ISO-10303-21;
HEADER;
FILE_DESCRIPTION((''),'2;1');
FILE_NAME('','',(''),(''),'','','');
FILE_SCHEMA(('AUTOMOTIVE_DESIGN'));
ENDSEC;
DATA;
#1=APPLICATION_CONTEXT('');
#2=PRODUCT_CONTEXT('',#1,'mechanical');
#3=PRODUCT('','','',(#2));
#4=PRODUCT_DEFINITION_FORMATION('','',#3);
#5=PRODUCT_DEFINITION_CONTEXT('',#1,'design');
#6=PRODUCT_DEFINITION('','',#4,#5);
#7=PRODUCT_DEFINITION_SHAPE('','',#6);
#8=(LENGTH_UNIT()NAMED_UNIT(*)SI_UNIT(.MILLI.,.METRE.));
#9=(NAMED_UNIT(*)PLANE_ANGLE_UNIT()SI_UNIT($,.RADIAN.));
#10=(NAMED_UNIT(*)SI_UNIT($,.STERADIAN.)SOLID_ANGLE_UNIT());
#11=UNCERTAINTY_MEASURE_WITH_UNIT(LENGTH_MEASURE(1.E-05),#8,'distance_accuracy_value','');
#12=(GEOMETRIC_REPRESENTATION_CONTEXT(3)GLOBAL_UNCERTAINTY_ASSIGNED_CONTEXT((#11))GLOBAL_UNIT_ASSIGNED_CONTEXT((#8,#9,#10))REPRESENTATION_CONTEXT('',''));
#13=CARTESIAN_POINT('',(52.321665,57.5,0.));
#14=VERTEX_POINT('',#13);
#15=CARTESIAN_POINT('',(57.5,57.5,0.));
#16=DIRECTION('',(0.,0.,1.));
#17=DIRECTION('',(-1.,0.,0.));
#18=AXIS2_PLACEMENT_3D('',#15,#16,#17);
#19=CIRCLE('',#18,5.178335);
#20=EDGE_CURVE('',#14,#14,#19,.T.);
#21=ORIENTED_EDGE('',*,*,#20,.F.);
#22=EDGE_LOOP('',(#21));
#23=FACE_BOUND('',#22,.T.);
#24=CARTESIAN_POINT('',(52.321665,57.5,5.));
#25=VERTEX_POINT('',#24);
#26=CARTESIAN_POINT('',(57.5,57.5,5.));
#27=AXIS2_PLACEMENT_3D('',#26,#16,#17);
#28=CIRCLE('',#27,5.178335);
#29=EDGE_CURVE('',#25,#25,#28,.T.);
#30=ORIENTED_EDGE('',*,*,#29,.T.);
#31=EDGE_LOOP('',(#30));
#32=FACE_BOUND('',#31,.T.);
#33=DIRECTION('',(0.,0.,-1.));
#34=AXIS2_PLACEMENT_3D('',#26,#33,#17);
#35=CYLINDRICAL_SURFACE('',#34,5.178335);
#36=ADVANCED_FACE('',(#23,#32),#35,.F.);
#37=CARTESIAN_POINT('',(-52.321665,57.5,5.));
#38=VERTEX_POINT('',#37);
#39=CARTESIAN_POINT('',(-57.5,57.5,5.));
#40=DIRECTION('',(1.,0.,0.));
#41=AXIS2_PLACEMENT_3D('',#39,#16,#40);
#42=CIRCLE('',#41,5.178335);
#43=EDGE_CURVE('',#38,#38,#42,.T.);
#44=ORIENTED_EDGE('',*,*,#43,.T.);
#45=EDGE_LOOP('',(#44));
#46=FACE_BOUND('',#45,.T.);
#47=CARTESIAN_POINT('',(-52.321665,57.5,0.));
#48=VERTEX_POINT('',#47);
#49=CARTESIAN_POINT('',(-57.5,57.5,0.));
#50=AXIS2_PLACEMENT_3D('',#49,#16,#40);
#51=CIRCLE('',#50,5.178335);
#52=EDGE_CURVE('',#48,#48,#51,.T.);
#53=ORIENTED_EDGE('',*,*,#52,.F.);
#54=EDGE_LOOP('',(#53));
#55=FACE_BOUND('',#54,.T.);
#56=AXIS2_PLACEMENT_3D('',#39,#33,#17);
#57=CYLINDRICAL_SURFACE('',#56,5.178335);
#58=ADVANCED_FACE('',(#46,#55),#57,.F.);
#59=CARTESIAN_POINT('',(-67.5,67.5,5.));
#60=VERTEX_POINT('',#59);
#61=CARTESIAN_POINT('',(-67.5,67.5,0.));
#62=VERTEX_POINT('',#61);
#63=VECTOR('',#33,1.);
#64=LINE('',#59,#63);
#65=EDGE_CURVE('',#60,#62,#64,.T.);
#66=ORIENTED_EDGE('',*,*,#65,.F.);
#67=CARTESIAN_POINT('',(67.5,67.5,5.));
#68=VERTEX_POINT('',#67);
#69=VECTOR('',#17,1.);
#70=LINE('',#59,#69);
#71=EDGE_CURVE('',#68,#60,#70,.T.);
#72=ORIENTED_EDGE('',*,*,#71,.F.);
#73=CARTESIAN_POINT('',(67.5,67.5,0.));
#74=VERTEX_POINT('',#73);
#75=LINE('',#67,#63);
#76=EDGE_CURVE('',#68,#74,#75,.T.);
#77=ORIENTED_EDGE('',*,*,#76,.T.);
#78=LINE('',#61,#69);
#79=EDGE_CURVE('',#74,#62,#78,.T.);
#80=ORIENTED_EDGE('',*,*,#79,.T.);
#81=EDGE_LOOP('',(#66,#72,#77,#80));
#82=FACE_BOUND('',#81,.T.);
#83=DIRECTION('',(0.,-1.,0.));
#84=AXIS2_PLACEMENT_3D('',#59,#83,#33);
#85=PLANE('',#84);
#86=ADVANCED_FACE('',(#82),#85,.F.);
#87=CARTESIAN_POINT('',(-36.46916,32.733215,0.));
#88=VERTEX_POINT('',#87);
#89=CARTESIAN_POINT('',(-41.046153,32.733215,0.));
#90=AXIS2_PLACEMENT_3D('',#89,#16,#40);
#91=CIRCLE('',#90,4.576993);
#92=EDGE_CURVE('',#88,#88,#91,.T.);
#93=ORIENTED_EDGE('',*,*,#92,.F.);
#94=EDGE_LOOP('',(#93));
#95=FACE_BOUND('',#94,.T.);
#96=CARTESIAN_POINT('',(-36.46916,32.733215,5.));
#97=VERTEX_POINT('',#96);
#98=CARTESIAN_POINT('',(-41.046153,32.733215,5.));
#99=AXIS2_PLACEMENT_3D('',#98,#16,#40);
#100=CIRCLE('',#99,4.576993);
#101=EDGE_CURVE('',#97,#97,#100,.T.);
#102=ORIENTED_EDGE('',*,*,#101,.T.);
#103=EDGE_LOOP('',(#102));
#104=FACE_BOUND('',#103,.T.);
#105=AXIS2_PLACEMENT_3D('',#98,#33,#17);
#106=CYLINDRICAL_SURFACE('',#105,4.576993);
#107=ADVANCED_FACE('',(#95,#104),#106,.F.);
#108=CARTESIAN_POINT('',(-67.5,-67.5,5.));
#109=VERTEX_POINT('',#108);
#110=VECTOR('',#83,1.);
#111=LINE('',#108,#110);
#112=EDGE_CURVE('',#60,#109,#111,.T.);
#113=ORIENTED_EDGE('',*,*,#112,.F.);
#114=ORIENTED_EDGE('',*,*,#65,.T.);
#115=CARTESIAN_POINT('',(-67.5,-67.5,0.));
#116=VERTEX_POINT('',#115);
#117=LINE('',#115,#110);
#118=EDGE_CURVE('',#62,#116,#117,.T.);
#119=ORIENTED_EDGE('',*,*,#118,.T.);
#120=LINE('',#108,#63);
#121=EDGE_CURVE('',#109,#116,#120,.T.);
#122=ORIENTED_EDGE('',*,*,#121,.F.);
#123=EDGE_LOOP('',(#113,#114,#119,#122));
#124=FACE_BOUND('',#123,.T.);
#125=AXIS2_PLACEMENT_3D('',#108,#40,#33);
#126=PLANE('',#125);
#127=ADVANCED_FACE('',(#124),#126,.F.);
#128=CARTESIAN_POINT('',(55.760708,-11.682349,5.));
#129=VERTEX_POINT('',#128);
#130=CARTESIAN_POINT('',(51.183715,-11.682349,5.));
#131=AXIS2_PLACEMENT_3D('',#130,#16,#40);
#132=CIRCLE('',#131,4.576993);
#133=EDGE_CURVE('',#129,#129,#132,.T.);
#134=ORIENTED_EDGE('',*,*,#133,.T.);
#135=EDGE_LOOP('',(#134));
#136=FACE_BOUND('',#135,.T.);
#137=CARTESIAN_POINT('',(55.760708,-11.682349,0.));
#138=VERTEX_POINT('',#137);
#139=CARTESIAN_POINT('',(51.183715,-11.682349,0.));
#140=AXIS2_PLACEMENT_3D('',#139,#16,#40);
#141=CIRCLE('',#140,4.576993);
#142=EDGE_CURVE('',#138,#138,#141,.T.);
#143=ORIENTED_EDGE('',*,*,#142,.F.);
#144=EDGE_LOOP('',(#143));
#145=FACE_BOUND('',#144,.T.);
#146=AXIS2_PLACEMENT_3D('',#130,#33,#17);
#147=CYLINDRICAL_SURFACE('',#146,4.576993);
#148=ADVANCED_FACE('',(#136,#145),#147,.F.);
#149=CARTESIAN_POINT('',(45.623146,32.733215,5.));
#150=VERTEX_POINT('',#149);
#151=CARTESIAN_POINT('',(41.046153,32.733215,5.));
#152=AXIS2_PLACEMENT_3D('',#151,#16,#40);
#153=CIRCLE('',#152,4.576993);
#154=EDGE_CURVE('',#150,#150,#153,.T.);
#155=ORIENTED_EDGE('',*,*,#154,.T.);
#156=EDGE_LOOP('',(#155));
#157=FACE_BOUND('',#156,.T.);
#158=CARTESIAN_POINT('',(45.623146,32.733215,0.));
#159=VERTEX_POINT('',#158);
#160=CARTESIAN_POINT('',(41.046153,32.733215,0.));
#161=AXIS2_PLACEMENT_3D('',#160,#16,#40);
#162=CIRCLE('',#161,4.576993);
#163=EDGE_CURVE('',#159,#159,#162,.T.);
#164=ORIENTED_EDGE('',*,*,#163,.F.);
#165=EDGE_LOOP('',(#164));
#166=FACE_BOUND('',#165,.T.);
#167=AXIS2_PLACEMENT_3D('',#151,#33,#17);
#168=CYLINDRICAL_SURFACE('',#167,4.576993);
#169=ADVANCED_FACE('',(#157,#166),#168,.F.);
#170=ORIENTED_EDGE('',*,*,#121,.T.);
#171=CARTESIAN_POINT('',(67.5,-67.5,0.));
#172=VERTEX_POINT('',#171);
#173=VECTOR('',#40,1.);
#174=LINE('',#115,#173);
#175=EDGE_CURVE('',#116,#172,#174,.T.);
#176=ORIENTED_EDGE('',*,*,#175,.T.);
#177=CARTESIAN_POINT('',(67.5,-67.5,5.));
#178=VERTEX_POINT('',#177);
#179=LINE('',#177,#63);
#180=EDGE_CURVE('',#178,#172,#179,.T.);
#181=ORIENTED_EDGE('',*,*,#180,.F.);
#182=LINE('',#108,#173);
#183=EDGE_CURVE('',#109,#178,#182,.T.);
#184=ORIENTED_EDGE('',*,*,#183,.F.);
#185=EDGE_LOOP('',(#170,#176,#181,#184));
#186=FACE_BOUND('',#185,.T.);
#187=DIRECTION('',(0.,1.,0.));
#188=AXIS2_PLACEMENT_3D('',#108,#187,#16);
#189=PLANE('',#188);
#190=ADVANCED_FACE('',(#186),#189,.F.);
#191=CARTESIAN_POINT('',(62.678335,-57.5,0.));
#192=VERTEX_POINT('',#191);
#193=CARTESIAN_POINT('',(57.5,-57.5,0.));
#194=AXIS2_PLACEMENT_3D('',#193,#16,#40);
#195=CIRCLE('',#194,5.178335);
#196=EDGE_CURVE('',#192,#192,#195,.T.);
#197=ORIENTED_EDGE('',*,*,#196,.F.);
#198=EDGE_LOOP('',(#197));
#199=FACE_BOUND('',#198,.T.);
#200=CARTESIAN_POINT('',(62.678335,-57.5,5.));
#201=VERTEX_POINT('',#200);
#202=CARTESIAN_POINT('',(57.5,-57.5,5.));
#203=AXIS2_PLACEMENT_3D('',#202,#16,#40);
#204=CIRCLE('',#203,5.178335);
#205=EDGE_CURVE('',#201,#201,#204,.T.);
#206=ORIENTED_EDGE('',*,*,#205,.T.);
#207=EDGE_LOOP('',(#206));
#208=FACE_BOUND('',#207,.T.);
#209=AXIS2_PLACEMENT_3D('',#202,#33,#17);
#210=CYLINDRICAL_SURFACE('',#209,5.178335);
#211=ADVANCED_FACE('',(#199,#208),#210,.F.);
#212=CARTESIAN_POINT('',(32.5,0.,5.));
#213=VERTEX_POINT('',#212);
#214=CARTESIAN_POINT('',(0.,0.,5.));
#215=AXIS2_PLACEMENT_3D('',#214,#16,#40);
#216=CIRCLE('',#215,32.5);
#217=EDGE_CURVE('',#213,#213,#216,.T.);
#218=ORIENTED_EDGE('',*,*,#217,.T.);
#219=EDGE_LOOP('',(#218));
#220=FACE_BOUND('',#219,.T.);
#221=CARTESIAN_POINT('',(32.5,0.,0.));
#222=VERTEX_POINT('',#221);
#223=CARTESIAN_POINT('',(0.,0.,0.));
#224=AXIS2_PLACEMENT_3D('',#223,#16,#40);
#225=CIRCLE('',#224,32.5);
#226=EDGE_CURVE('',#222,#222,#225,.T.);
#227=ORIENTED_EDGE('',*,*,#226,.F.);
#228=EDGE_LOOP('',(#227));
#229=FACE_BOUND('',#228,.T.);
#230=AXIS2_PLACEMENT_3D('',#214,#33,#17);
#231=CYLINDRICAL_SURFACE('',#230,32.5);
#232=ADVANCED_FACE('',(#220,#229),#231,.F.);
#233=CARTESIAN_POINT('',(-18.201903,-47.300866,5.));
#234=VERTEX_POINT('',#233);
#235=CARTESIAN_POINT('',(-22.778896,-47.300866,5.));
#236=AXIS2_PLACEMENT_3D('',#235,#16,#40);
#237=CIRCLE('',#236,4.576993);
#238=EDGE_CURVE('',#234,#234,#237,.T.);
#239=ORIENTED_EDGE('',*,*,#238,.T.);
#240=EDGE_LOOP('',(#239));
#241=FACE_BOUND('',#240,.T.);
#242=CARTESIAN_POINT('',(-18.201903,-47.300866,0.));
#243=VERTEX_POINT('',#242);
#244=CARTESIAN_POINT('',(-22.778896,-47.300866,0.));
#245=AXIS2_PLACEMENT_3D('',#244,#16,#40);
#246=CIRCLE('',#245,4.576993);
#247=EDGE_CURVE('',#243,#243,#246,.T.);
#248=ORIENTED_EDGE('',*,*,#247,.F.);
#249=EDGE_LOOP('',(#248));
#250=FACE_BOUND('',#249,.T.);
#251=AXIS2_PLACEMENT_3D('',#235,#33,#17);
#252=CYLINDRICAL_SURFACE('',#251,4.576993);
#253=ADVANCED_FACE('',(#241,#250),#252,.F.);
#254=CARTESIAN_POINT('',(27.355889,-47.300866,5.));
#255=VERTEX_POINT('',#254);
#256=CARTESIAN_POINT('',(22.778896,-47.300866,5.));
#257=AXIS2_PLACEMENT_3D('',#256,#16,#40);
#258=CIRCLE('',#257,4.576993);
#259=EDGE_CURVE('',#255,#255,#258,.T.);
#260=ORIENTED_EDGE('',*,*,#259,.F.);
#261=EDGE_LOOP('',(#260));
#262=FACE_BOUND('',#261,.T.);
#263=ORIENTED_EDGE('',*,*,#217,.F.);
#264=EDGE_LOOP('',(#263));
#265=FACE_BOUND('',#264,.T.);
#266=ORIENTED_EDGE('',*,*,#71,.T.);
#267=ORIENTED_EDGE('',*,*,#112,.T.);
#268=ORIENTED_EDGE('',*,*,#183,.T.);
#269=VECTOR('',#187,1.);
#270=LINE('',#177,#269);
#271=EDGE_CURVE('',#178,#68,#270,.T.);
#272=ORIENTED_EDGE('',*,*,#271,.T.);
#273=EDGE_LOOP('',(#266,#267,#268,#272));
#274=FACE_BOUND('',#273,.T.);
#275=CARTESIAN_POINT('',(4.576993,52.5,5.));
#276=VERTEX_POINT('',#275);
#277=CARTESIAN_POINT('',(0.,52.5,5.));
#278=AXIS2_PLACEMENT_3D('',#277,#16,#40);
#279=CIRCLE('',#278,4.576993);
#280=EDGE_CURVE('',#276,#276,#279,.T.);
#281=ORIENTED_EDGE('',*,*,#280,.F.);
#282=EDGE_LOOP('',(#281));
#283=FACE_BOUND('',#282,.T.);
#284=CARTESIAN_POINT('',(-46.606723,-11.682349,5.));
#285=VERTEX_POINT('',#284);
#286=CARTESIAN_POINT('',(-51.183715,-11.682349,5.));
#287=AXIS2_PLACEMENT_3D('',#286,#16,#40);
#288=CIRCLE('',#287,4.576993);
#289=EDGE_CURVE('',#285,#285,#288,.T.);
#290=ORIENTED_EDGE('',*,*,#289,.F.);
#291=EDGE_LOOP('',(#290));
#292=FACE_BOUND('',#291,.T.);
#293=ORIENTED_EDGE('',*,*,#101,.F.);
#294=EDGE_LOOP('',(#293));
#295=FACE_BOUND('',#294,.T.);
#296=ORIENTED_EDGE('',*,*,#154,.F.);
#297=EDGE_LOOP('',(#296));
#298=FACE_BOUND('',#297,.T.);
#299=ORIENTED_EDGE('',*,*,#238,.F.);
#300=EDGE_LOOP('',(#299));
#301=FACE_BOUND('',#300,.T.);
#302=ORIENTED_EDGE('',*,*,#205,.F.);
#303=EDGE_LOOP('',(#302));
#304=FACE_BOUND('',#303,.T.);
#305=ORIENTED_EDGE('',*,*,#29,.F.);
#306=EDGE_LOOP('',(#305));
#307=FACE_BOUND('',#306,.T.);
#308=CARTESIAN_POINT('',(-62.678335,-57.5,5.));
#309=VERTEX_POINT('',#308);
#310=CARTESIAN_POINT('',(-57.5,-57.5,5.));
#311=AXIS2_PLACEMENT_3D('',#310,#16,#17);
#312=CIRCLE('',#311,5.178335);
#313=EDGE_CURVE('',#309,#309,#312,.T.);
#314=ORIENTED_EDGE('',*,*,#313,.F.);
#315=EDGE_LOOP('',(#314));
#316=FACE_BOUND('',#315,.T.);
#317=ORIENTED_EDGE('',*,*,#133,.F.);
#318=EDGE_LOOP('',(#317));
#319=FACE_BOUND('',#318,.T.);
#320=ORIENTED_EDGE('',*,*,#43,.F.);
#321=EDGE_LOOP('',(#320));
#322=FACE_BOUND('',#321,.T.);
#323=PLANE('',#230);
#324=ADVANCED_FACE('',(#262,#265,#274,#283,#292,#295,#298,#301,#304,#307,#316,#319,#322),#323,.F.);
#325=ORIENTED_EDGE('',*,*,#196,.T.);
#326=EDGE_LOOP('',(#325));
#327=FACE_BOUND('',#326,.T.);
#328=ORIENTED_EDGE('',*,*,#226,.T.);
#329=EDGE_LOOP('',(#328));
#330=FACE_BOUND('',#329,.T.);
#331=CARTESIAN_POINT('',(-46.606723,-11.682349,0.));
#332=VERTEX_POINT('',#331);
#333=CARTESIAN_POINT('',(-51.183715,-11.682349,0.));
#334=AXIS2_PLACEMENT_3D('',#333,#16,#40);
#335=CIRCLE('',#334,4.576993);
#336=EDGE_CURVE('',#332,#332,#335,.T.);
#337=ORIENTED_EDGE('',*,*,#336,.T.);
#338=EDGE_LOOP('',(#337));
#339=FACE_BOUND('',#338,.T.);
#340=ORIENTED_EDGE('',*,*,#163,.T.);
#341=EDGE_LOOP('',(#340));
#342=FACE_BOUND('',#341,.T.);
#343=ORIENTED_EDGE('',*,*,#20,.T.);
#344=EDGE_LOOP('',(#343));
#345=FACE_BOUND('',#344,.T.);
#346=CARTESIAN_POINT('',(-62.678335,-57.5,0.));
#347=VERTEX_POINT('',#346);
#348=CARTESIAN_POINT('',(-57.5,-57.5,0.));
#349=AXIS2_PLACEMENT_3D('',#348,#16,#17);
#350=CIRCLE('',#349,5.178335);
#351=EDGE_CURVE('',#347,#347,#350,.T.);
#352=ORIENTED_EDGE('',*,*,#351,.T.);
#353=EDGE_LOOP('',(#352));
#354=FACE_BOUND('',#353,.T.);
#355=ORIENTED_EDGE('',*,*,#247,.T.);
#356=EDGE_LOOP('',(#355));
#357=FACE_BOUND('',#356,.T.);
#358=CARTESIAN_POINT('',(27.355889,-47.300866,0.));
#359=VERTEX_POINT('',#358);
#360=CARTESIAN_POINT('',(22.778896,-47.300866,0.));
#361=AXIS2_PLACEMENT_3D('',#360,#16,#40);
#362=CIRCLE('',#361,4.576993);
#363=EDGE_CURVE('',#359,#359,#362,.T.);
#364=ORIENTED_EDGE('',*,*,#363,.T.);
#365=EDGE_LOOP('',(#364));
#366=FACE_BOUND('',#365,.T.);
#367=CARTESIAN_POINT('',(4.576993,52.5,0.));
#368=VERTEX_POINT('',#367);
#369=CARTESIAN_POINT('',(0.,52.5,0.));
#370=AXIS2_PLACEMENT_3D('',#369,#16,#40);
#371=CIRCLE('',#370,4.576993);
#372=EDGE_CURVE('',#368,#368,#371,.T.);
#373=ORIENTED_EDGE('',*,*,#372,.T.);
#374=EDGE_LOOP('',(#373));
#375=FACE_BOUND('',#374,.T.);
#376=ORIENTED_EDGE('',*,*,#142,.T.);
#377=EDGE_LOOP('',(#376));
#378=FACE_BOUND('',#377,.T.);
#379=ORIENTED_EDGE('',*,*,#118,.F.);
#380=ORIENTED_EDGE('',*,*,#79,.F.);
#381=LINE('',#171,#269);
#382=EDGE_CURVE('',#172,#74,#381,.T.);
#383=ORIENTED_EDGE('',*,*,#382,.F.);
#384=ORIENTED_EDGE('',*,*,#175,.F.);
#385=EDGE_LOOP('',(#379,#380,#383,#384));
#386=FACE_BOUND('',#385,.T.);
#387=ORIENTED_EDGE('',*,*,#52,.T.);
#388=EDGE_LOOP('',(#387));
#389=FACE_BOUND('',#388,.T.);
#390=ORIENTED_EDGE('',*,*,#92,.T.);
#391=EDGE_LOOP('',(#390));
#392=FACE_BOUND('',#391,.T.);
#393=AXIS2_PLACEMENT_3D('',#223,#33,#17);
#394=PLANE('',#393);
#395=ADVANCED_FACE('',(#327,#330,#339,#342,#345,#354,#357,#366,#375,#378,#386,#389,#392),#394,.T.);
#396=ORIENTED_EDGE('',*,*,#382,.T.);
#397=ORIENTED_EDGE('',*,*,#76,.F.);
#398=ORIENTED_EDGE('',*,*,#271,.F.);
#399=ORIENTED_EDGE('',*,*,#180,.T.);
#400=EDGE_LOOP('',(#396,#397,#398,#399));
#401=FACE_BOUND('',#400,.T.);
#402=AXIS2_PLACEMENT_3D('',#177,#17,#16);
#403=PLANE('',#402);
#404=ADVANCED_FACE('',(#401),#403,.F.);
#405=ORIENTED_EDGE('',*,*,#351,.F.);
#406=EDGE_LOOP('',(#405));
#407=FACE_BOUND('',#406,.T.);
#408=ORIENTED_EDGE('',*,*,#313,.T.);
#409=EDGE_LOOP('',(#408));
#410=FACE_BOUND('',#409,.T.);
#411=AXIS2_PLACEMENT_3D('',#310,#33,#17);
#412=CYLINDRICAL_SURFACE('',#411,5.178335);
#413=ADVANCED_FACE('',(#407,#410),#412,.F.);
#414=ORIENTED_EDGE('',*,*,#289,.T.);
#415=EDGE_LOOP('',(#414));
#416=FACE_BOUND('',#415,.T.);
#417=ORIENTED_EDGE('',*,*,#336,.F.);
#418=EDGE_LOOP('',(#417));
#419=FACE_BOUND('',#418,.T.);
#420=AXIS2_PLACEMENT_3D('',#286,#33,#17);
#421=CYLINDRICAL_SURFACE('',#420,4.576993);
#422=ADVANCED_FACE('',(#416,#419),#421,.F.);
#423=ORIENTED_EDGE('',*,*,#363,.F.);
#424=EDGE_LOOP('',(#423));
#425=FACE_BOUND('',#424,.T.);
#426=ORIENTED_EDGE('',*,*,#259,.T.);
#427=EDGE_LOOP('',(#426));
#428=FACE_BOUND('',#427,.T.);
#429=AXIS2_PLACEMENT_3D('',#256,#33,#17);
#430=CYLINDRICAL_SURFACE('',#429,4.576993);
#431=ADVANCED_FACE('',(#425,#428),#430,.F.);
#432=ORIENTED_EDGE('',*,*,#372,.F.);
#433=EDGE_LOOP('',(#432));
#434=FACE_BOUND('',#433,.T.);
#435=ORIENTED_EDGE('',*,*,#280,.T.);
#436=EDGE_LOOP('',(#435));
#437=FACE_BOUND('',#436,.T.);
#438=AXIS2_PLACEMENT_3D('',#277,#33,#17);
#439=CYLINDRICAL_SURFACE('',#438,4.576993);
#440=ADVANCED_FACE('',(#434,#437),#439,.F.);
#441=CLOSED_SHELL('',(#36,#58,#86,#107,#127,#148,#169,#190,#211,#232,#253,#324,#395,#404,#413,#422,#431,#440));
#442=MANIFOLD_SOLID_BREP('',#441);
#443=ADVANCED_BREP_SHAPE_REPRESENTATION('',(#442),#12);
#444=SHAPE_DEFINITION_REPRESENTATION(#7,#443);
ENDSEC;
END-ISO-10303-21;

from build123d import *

# Parameters (mm, degrees)
ESBO_O1_W                = 135
ESBO_O1_H                = 135
ESBO_O1_R                = 5.178334598
ESBO_O1_R_2              = 32.5
ESBO_O1_R_3              = 4.576992867
RESSALTO_EXTRUS_O3_DEPTH = 5


with BuildPart() as part:
    # Esboço1 → Ressalto-extrusão3 (new body)
    with BuildSketch(Plane.XY):
        Rectangle(ESBO_O1_W, ESBO_O1_H)
        with Locations((-57.5, 57.5)):
            Circle(ESBO_O1_R, mode=Mode.SUBTRACT)
        with Locations(Location((-57.5, -57.5, 0), (0, 0, 180))):
            Circle(ESBO_O1_R, mode=Mode.SUBTRACT)
        with Locations((57.5, -57.5)):
            Circle(ESBO_O1_R, mode=Mode.SUBTRACT)
        with Locations(Location((57.5, 57.5, 0), (0, 0, 180))):
            Circle(ESBO_O1_R, mode=Mode.SUBTRACT)
        Circle(ESBO_O1_R_2, mode=Mode.SUBTRACT)
        with Locations((0, 52.5)):
            Circle(ESBO_O1_R_3, mode=Mode.SUBTRACT)
        with Locations((41.04615283, 32.733214598)):
            Circle(ESBO_O1_R_3, mode=Mode.SUBTRACT)
        with Locations((51.18371539, -11.682349033)):
            Circle(ESBO_O1_R_3, mode=Mode.SUBTRACT)
        with Locations((22.778896304, -47.300865565)):
            Circle(ESBO_O1_R_3, mode=Mode.SUBTRACT)
        with Locations((-22.778896304, -47.300865565)):
            Circle(ESBO_O1_R_3, mode=Mode.SUBTRACT)
        with Locations((-51.18371539, -11.682349033)):
            Circle(ESBO_O1_R_3, mode=Mode.SUBTRACT)
        with Locations((-41.04615283, 32.733214598)):
            Circle(ESBO_O1_R_3, mode=Mode.SUBTRACT)
    extrude(amount=RESSALTO_EXTRUS_O3_DEPTH)


solid = part.part
